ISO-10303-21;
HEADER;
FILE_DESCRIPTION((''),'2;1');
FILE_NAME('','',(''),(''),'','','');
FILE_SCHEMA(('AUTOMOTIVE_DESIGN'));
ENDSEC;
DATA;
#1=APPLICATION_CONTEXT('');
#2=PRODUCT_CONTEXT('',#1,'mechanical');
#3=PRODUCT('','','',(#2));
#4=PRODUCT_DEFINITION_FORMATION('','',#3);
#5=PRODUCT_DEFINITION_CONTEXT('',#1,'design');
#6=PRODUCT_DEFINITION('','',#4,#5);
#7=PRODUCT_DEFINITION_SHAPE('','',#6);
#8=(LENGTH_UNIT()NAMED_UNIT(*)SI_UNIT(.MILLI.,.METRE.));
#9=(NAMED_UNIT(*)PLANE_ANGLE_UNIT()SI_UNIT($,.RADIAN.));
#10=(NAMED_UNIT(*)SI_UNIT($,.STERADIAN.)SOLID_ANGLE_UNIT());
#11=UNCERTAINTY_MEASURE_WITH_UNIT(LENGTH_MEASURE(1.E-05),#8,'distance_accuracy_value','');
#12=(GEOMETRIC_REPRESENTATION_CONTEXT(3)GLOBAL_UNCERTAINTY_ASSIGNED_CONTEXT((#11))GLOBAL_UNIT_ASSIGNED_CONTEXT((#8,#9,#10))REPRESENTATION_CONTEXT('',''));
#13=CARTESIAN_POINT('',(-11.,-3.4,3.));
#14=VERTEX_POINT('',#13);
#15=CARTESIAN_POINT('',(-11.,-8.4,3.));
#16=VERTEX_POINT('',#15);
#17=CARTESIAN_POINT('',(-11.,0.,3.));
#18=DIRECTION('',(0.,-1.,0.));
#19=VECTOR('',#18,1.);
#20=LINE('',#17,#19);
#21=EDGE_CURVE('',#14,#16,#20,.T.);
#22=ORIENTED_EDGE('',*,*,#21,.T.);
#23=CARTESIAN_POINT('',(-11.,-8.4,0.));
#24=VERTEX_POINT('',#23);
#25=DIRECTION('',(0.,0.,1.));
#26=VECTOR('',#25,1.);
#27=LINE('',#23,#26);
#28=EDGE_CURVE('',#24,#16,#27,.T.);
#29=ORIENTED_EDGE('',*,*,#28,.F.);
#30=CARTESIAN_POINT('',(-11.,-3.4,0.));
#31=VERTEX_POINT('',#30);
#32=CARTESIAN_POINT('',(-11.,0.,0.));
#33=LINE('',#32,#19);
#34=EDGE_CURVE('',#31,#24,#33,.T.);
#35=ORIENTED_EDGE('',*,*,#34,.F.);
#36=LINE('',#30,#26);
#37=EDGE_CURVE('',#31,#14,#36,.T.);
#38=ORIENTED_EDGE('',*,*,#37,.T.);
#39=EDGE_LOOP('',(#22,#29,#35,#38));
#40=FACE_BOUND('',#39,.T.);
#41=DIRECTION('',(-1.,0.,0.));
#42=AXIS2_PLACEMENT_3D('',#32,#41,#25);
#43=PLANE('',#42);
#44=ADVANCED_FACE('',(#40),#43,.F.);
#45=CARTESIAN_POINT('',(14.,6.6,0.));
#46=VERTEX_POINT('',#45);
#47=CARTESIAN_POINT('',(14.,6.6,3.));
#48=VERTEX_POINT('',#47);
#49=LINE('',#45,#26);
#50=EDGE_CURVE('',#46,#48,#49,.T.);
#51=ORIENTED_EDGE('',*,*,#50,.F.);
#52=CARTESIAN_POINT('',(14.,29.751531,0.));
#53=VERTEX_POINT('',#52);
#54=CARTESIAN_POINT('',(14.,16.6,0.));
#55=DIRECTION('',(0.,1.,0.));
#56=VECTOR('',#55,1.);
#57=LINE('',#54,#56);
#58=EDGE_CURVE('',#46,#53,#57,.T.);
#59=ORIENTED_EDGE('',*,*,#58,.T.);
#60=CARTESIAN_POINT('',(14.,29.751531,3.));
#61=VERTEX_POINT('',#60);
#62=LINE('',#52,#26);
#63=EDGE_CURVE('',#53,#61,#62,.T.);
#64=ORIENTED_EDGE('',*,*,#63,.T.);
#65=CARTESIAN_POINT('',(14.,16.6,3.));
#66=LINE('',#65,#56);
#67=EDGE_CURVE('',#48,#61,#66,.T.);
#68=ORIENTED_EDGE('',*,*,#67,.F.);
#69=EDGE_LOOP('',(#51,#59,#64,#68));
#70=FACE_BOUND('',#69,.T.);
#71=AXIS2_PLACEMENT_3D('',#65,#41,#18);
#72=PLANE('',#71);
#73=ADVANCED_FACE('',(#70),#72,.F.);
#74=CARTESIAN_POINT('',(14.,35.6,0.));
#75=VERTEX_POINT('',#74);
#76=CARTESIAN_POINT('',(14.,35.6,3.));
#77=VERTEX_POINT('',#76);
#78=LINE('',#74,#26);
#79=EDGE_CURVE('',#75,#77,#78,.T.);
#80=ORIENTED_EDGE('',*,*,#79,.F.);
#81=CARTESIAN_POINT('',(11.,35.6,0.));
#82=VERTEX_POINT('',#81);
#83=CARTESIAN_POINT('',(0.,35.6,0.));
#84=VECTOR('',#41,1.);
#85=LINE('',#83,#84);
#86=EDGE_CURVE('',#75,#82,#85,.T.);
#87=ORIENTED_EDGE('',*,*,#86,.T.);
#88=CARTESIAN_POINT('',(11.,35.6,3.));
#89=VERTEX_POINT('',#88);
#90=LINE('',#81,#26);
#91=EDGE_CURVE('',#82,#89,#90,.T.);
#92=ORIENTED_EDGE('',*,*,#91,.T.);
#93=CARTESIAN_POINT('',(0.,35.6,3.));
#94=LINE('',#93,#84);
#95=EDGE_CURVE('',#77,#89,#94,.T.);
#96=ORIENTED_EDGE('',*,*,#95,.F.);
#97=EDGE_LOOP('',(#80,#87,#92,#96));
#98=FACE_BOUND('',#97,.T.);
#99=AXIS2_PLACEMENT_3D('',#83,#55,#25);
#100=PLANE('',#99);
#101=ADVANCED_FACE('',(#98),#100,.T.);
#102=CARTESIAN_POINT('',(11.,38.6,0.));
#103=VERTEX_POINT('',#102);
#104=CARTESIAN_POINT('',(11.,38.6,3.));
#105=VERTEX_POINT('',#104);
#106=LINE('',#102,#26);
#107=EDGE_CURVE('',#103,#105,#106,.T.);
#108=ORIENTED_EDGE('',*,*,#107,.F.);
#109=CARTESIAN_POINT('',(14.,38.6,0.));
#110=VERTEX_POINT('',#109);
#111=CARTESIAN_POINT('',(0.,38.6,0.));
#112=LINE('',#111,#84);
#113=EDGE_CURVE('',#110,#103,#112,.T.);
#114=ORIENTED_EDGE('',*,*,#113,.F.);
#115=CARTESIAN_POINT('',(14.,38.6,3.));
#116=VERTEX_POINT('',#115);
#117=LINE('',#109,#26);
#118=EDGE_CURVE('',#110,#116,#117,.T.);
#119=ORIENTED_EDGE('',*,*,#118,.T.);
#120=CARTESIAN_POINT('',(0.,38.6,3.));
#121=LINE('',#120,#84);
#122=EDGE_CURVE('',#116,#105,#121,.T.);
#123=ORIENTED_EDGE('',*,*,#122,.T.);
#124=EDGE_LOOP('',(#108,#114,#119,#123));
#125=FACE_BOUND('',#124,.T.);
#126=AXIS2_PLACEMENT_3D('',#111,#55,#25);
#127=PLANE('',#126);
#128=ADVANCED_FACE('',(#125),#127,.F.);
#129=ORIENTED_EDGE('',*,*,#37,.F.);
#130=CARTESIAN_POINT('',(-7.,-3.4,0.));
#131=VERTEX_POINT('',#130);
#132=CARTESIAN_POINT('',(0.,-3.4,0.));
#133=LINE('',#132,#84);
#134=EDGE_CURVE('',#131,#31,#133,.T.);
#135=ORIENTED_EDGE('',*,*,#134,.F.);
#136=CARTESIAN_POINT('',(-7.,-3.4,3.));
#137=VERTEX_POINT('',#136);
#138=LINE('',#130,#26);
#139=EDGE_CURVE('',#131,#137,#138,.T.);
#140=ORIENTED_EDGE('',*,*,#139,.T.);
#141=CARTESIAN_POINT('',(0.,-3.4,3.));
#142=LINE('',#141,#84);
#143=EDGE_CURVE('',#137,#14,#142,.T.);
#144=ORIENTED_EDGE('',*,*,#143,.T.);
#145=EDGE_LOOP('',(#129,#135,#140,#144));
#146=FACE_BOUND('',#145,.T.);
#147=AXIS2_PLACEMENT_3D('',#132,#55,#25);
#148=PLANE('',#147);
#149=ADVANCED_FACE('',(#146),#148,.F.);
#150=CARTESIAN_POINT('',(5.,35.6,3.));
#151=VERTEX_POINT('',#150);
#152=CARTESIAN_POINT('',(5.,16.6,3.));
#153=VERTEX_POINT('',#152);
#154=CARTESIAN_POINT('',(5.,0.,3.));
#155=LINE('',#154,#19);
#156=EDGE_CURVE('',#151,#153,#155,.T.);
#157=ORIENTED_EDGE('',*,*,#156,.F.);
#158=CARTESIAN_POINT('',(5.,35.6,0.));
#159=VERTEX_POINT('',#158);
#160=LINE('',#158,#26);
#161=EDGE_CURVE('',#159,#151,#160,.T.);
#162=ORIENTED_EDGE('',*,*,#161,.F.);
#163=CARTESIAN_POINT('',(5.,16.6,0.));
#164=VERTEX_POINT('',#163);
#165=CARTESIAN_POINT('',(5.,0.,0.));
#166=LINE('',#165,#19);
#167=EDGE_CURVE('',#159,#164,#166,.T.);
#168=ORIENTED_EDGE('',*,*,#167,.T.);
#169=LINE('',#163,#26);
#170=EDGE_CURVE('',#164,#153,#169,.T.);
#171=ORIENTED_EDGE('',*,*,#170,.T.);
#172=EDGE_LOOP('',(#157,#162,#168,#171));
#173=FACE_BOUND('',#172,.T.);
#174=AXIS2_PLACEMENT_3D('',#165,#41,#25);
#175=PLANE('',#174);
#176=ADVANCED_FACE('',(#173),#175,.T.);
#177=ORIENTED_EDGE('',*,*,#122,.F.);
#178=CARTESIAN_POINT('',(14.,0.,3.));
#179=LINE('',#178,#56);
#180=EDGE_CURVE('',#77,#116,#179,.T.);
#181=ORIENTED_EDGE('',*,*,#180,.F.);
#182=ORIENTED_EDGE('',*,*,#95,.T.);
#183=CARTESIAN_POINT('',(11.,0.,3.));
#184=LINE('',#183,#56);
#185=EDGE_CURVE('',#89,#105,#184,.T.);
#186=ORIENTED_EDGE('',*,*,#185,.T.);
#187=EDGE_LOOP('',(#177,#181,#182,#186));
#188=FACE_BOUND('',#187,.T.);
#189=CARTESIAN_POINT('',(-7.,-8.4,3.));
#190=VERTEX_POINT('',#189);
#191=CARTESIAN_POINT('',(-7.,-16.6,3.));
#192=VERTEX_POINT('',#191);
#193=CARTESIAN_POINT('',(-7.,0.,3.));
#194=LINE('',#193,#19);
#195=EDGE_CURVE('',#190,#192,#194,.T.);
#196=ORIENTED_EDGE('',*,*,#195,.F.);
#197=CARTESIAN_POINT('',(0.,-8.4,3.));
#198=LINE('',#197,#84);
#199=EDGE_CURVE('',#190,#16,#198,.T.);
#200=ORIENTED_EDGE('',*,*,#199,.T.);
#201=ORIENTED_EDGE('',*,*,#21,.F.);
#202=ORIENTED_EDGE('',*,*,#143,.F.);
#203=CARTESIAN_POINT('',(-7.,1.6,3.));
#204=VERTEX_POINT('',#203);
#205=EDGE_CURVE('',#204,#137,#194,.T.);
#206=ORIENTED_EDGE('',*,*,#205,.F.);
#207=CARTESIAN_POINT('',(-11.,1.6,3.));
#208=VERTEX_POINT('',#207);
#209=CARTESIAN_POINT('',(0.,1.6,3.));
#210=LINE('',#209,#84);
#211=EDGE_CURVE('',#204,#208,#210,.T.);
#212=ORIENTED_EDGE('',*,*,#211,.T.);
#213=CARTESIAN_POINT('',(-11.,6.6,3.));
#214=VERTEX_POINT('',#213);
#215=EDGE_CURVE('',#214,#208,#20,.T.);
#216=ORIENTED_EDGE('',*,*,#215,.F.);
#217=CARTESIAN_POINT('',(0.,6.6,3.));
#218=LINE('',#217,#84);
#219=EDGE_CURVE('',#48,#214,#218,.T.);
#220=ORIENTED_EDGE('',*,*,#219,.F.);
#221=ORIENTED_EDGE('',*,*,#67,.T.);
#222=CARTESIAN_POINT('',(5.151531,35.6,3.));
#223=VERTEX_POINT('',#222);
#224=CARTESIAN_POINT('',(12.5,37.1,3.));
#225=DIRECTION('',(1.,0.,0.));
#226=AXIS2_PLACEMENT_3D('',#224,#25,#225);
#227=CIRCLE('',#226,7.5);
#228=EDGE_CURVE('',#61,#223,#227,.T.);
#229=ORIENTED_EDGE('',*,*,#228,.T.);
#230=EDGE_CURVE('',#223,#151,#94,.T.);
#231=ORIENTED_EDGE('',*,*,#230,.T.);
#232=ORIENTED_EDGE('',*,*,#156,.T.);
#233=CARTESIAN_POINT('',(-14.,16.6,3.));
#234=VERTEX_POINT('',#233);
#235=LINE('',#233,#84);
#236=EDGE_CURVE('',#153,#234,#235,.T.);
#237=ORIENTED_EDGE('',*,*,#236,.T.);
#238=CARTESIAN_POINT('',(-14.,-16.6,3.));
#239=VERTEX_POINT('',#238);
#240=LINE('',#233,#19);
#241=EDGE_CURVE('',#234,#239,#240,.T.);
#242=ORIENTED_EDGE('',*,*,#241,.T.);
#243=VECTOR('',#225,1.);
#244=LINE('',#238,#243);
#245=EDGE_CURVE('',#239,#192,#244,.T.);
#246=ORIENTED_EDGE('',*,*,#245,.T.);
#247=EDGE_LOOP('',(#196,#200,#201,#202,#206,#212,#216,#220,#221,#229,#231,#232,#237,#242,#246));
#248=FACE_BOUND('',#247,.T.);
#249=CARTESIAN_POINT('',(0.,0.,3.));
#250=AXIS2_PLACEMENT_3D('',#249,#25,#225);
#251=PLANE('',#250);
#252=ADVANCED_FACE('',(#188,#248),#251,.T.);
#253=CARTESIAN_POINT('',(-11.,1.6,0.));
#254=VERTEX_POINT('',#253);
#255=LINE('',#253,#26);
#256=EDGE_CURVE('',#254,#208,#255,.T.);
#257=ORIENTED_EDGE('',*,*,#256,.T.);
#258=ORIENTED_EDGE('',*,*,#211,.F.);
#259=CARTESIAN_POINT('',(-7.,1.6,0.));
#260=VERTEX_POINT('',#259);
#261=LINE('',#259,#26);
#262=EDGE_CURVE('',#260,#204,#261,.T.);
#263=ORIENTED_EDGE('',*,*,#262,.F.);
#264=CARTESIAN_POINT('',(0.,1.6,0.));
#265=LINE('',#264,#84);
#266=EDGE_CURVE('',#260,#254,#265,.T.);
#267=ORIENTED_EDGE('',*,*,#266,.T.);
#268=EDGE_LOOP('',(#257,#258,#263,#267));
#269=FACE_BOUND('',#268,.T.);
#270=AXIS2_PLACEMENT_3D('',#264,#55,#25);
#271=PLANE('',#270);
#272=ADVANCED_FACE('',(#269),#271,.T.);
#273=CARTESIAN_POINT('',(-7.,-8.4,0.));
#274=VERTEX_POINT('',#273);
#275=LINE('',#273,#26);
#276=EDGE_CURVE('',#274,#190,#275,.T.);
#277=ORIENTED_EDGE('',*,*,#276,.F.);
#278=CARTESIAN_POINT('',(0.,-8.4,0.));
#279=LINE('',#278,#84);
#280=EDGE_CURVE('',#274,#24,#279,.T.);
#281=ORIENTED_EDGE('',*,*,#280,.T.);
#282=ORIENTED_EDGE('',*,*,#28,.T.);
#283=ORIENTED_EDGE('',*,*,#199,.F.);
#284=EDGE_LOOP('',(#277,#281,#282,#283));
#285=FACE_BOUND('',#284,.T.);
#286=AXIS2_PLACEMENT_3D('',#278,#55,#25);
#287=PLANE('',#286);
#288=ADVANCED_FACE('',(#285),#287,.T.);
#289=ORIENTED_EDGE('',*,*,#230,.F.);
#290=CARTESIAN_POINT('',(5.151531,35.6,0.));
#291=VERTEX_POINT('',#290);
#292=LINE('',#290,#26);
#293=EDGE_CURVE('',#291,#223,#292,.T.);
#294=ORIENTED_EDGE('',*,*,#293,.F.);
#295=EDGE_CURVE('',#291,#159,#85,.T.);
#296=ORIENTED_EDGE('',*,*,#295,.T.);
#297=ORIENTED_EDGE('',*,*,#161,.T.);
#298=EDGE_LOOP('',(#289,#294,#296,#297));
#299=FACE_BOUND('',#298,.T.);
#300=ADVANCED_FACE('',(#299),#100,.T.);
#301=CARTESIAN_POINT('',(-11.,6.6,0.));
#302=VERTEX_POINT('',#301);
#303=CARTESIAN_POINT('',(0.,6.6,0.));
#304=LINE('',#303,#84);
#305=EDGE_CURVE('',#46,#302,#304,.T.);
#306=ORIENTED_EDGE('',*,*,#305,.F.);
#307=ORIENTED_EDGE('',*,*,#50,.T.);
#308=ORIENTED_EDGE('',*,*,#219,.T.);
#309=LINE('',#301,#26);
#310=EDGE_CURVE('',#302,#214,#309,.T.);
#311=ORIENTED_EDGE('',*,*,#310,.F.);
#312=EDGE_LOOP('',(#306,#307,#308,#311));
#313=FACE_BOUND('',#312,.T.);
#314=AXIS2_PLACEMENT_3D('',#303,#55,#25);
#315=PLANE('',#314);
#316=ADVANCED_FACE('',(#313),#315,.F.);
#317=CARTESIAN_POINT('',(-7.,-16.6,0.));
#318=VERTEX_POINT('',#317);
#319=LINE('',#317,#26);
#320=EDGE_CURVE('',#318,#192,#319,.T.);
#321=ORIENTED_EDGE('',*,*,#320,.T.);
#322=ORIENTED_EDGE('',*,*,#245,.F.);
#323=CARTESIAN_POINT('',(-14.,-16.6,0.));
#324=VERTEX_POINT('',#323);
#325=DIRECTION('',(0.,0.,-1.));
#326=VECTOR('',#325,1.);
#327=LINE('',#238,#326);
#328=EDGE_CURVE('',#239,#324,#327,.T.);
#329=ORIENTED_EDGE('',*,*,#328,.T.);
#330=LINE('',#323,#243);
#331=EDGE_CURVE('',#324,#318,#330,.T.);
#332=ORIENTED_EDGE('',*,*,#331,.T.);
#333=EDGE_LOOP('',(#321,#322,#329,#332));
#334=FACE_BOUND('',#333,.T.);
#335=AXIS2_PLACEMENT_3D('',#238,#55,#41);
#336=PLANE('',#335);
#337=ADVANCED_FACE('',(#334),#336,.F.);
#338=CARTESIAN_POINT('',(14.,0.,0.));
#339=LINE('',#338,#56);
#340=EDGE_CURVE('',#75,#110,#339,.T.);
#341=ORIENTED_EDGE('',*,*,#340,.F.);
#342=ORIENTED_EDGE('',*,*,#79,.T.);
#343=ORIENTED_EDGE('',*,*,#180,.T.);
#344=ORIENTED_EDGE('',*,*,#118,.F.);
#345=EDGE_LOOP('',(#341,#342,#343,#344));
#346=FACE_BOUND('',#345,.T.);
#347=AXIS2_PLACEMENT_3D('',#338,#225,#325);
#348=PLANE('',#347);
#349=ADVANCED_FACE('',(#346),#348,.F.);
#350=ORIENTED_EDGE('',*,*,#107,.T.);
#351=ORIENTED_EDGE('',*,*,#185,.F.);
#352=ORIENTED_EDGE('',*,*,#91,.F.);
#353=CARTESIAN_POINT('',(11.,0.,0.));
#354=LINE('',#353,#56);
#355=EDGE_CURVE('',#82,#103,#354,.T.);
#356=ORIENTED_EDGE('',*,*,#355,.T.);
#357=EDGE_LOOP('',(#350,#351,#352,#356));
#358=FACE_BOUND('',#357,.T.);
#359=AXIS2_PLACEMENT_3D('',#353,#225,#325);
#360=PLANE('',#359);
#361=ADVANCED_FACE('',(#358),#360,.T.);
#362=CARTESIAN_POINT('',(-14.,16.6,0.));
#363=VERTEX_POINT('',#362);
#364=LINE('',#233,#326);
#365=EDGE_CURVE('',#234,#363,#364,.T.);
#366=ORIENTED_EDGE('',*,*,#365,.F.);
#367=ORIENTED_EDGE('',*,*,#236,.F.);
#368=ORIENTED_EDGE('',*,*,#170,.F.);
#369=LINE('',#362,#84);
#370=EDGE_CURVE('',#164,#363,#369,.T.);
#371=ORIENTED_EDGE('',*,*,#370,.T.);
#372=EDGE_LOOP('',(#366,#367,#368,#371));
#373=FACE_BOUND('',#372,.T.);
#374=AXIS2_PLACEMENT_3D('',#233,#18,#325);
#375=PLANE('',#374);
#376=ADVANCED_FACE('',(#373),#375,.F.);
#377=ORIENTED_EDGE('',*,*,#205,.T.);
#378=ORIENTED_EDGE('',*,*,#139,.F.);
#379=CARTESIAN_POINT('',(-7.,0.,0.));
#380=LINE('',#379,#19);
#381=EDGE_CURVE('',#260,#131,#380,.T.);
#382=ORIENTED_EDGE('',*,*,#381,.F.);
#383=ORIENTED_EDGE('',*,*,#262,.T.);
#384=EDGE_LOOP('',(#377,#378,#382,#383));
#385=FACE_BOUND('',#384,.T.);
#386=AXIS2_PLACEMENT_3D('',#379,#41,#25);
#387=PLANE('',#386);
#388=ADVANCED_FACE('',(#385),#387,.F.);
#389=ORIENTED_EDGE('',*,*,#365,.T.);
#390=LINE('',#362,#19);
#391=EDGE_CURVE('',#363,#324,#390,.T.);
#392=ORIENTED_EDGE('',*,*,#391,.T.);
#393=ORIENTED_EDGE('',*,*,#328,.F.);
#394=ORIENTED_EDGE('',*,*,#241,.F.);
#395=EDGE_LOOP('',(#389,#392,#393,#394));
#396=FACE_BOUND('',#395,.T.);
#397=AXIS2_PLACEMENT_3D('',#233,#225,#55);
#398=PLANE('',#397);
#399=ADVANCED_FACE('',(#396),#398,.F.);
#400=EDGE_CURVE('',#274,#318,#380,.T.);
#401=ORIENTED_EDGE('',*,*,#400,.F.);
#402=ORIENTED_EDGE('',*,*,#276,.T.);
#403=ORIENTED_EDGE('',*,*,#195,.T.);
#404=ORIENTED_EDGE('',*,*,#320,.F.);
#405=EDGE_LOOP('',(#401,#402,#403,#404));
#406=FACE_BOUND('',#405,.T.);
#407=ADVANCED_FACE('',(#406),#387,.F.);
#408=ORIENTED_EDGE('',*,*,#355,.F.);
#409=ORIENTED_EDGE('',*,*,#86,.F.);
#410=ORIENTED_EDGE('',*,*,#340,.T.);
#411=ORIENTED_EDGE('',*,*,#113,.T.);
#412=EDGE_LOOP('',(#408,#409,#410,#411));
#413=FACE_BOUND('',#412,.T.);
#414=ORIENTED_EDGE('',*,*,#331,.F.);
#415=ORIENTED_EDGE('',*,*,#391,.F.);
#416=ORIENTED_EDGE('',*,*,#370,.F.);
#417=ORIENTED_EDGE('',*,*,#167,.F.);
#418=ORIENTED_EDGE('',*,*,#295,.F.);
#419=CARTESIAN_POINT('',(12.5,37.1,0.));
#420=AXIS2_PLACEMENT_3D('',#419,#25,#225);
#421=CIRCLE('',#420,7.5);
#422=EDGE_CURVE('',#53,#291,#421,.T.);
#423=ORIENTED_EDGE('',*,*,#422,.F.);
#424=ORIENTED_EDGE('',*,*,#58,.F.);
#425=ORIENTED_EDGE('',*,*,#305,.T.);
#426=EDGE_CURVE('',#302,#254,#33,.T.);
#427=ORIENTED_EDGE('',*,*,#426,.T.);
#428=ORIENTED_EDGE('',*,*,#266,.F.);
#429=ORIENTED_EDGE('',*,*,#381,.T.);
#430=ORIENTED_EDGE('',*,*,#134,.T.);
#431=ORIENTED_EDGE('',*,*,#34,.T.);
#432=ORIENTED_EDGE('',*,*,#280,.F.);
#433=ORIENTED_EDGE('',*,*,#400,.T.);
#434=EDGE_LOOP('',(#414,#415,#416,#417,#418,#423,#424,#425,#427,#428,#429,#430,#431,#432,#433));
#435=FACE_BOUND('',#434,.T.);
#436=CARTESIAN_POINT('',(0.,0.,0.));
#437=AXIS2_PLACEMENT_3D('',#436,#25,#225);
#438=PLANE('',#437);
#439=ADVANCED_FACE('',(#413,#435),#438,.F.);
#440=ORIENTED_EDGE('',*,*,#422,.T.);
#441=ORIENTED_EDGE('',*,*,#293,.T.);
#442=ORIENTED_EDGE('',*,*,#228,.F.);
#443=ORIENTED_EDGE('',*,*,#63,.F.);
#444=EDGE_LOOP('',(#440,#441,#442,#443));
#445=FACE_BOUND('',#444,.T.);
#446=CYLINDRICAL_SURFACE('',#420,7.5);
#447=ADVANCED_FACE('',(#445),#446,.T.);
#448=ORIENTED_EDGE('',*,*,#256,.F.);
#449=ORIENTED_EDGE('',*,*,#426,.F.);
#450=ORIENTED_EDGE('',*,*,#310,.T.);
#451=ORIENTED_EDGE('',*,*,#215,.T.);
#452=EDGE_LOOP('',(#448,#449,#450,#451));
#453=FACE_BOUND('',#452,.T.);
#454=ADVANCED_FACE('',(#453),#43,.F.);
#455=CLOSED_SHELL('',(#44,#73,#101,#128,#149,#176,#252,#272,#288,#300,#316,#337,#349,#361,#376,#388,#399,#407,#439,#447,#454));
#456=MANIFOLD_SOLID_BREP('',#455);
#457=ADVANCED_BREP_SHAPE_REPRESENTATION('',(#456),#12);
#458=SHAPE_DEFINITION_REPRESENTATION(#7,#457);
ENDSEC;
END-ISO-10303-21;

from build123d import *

# Parameters (mm, degrees)
SKETCH2_W           = 28
SKETCH2_H           = 33.2
BOSS_EXTRUDE1_DEPTH = 3
SKETCH4_W           = 21
SKETCH4_H           = 5
SKETCH4_H_2         = 8.2
CUT_EXTRUDE1_DEPTH  = 3
BOSS_EXTRUDE2_DEPTH = 3


with BuildPart() as part:
    # Sketch2 → Boss-Extrude1 (new body)
    with BuildSketch(Plane.XY):
        Rectangle(SKETCH2_W, SKETCH2_H)
    extrude(amount=BOSS_EXTRUDE1_DEPTH)

    # Sketch4 → Cut-Extrude1 (cut)
    with BuildSketch(Plane.XY.offset(3)):
        Polygon((14, 1.6), (14, 6.6), (-11, 6.6), (-11, 1.6), (-7, 1.6), align=None)
        with Locations((3.5, -0.9)):
            Rectangle(SKETCH4_W, SKETCH4_H)
        Polygon((14, -8.4), (14, -3.4), (-7, -3.4), (-11, -3.4), (-11, -8.4), (-7, -8.4), align=None)
        with Locations((3.5, -12.5)):
            Rectangle(SKETCH4_W, SKETCH4_H_2)
    extrude(amount=-CUT_EXTRUDE1_DEPTH, mode=Mode.SUBTRACT)

    # Sketch5 → Boss-Extrude2 (add)
    with BuildSketch(Plane.XY.offset(3)):
        with BuildLine():
            Line((11, 29.751530772), (11, 35.6))
            Line((11, 35.6), (5.151530772, 35.6))
            ThreePointArc((5.151530772, 35.6), (7.196699141, 31.796699141), (11, 29.751530772))
        make_face()
        with BuildLine():
            Line((11, 16.6), (11, 29.751530772))
            ThreePointArc((11, 29.751530772), (7.196699141, 31.796699141), (5.151530772, 35.6))
            Line((5.151530772, 35.6), (5, 35.6))
            Line((5, 35.6), (5, 16.6))
            Line((5, 16.6), (11, 16.6))
        make_face()
        with BuildLine():
            Line((14, 16.6), (14, 29.751530772))
            ThreePointArc((14, 29.751530772), (12.5, 29.6), (11, 29.751530772))
            Line((11, 29.751530772), (11, 16.6))
            Line((11, 16.6), (14, 16.6))
        make_face()
        with BuildLine():
            Line((14, 29.751530772), (14, 35.6))
            Line((14, 35.6), (11, 35.6))
            Line((11, 35.6), (11, 29.751530772))
            ThreePointArc((11, 29.751530772), (12.5, 29.6), (14, 29.751530772))
        make_face()
        with BuildLine():
            Line((14, 38.6), (14, 35.6))
            Line((14, 35.6), (14, 29.751530772))
            ThreePointArc((14, 29.751530772), (18.309475019, 32.35658351), (20, 37.1))
            ThreePointArc((20, 37.1), (11.746182785, 44.562021148), (5.151530772, 35.6))
            Line((5.151530772, 35.6), (11, 35.6))
            Line((11, 35.6), (11, 38.6))
            Line((11, 38.6), (14, 38.6))
        make_face()
    extrude(amount=-BOSS_EXTRUDE2_DEPTH)


solid = part.part
